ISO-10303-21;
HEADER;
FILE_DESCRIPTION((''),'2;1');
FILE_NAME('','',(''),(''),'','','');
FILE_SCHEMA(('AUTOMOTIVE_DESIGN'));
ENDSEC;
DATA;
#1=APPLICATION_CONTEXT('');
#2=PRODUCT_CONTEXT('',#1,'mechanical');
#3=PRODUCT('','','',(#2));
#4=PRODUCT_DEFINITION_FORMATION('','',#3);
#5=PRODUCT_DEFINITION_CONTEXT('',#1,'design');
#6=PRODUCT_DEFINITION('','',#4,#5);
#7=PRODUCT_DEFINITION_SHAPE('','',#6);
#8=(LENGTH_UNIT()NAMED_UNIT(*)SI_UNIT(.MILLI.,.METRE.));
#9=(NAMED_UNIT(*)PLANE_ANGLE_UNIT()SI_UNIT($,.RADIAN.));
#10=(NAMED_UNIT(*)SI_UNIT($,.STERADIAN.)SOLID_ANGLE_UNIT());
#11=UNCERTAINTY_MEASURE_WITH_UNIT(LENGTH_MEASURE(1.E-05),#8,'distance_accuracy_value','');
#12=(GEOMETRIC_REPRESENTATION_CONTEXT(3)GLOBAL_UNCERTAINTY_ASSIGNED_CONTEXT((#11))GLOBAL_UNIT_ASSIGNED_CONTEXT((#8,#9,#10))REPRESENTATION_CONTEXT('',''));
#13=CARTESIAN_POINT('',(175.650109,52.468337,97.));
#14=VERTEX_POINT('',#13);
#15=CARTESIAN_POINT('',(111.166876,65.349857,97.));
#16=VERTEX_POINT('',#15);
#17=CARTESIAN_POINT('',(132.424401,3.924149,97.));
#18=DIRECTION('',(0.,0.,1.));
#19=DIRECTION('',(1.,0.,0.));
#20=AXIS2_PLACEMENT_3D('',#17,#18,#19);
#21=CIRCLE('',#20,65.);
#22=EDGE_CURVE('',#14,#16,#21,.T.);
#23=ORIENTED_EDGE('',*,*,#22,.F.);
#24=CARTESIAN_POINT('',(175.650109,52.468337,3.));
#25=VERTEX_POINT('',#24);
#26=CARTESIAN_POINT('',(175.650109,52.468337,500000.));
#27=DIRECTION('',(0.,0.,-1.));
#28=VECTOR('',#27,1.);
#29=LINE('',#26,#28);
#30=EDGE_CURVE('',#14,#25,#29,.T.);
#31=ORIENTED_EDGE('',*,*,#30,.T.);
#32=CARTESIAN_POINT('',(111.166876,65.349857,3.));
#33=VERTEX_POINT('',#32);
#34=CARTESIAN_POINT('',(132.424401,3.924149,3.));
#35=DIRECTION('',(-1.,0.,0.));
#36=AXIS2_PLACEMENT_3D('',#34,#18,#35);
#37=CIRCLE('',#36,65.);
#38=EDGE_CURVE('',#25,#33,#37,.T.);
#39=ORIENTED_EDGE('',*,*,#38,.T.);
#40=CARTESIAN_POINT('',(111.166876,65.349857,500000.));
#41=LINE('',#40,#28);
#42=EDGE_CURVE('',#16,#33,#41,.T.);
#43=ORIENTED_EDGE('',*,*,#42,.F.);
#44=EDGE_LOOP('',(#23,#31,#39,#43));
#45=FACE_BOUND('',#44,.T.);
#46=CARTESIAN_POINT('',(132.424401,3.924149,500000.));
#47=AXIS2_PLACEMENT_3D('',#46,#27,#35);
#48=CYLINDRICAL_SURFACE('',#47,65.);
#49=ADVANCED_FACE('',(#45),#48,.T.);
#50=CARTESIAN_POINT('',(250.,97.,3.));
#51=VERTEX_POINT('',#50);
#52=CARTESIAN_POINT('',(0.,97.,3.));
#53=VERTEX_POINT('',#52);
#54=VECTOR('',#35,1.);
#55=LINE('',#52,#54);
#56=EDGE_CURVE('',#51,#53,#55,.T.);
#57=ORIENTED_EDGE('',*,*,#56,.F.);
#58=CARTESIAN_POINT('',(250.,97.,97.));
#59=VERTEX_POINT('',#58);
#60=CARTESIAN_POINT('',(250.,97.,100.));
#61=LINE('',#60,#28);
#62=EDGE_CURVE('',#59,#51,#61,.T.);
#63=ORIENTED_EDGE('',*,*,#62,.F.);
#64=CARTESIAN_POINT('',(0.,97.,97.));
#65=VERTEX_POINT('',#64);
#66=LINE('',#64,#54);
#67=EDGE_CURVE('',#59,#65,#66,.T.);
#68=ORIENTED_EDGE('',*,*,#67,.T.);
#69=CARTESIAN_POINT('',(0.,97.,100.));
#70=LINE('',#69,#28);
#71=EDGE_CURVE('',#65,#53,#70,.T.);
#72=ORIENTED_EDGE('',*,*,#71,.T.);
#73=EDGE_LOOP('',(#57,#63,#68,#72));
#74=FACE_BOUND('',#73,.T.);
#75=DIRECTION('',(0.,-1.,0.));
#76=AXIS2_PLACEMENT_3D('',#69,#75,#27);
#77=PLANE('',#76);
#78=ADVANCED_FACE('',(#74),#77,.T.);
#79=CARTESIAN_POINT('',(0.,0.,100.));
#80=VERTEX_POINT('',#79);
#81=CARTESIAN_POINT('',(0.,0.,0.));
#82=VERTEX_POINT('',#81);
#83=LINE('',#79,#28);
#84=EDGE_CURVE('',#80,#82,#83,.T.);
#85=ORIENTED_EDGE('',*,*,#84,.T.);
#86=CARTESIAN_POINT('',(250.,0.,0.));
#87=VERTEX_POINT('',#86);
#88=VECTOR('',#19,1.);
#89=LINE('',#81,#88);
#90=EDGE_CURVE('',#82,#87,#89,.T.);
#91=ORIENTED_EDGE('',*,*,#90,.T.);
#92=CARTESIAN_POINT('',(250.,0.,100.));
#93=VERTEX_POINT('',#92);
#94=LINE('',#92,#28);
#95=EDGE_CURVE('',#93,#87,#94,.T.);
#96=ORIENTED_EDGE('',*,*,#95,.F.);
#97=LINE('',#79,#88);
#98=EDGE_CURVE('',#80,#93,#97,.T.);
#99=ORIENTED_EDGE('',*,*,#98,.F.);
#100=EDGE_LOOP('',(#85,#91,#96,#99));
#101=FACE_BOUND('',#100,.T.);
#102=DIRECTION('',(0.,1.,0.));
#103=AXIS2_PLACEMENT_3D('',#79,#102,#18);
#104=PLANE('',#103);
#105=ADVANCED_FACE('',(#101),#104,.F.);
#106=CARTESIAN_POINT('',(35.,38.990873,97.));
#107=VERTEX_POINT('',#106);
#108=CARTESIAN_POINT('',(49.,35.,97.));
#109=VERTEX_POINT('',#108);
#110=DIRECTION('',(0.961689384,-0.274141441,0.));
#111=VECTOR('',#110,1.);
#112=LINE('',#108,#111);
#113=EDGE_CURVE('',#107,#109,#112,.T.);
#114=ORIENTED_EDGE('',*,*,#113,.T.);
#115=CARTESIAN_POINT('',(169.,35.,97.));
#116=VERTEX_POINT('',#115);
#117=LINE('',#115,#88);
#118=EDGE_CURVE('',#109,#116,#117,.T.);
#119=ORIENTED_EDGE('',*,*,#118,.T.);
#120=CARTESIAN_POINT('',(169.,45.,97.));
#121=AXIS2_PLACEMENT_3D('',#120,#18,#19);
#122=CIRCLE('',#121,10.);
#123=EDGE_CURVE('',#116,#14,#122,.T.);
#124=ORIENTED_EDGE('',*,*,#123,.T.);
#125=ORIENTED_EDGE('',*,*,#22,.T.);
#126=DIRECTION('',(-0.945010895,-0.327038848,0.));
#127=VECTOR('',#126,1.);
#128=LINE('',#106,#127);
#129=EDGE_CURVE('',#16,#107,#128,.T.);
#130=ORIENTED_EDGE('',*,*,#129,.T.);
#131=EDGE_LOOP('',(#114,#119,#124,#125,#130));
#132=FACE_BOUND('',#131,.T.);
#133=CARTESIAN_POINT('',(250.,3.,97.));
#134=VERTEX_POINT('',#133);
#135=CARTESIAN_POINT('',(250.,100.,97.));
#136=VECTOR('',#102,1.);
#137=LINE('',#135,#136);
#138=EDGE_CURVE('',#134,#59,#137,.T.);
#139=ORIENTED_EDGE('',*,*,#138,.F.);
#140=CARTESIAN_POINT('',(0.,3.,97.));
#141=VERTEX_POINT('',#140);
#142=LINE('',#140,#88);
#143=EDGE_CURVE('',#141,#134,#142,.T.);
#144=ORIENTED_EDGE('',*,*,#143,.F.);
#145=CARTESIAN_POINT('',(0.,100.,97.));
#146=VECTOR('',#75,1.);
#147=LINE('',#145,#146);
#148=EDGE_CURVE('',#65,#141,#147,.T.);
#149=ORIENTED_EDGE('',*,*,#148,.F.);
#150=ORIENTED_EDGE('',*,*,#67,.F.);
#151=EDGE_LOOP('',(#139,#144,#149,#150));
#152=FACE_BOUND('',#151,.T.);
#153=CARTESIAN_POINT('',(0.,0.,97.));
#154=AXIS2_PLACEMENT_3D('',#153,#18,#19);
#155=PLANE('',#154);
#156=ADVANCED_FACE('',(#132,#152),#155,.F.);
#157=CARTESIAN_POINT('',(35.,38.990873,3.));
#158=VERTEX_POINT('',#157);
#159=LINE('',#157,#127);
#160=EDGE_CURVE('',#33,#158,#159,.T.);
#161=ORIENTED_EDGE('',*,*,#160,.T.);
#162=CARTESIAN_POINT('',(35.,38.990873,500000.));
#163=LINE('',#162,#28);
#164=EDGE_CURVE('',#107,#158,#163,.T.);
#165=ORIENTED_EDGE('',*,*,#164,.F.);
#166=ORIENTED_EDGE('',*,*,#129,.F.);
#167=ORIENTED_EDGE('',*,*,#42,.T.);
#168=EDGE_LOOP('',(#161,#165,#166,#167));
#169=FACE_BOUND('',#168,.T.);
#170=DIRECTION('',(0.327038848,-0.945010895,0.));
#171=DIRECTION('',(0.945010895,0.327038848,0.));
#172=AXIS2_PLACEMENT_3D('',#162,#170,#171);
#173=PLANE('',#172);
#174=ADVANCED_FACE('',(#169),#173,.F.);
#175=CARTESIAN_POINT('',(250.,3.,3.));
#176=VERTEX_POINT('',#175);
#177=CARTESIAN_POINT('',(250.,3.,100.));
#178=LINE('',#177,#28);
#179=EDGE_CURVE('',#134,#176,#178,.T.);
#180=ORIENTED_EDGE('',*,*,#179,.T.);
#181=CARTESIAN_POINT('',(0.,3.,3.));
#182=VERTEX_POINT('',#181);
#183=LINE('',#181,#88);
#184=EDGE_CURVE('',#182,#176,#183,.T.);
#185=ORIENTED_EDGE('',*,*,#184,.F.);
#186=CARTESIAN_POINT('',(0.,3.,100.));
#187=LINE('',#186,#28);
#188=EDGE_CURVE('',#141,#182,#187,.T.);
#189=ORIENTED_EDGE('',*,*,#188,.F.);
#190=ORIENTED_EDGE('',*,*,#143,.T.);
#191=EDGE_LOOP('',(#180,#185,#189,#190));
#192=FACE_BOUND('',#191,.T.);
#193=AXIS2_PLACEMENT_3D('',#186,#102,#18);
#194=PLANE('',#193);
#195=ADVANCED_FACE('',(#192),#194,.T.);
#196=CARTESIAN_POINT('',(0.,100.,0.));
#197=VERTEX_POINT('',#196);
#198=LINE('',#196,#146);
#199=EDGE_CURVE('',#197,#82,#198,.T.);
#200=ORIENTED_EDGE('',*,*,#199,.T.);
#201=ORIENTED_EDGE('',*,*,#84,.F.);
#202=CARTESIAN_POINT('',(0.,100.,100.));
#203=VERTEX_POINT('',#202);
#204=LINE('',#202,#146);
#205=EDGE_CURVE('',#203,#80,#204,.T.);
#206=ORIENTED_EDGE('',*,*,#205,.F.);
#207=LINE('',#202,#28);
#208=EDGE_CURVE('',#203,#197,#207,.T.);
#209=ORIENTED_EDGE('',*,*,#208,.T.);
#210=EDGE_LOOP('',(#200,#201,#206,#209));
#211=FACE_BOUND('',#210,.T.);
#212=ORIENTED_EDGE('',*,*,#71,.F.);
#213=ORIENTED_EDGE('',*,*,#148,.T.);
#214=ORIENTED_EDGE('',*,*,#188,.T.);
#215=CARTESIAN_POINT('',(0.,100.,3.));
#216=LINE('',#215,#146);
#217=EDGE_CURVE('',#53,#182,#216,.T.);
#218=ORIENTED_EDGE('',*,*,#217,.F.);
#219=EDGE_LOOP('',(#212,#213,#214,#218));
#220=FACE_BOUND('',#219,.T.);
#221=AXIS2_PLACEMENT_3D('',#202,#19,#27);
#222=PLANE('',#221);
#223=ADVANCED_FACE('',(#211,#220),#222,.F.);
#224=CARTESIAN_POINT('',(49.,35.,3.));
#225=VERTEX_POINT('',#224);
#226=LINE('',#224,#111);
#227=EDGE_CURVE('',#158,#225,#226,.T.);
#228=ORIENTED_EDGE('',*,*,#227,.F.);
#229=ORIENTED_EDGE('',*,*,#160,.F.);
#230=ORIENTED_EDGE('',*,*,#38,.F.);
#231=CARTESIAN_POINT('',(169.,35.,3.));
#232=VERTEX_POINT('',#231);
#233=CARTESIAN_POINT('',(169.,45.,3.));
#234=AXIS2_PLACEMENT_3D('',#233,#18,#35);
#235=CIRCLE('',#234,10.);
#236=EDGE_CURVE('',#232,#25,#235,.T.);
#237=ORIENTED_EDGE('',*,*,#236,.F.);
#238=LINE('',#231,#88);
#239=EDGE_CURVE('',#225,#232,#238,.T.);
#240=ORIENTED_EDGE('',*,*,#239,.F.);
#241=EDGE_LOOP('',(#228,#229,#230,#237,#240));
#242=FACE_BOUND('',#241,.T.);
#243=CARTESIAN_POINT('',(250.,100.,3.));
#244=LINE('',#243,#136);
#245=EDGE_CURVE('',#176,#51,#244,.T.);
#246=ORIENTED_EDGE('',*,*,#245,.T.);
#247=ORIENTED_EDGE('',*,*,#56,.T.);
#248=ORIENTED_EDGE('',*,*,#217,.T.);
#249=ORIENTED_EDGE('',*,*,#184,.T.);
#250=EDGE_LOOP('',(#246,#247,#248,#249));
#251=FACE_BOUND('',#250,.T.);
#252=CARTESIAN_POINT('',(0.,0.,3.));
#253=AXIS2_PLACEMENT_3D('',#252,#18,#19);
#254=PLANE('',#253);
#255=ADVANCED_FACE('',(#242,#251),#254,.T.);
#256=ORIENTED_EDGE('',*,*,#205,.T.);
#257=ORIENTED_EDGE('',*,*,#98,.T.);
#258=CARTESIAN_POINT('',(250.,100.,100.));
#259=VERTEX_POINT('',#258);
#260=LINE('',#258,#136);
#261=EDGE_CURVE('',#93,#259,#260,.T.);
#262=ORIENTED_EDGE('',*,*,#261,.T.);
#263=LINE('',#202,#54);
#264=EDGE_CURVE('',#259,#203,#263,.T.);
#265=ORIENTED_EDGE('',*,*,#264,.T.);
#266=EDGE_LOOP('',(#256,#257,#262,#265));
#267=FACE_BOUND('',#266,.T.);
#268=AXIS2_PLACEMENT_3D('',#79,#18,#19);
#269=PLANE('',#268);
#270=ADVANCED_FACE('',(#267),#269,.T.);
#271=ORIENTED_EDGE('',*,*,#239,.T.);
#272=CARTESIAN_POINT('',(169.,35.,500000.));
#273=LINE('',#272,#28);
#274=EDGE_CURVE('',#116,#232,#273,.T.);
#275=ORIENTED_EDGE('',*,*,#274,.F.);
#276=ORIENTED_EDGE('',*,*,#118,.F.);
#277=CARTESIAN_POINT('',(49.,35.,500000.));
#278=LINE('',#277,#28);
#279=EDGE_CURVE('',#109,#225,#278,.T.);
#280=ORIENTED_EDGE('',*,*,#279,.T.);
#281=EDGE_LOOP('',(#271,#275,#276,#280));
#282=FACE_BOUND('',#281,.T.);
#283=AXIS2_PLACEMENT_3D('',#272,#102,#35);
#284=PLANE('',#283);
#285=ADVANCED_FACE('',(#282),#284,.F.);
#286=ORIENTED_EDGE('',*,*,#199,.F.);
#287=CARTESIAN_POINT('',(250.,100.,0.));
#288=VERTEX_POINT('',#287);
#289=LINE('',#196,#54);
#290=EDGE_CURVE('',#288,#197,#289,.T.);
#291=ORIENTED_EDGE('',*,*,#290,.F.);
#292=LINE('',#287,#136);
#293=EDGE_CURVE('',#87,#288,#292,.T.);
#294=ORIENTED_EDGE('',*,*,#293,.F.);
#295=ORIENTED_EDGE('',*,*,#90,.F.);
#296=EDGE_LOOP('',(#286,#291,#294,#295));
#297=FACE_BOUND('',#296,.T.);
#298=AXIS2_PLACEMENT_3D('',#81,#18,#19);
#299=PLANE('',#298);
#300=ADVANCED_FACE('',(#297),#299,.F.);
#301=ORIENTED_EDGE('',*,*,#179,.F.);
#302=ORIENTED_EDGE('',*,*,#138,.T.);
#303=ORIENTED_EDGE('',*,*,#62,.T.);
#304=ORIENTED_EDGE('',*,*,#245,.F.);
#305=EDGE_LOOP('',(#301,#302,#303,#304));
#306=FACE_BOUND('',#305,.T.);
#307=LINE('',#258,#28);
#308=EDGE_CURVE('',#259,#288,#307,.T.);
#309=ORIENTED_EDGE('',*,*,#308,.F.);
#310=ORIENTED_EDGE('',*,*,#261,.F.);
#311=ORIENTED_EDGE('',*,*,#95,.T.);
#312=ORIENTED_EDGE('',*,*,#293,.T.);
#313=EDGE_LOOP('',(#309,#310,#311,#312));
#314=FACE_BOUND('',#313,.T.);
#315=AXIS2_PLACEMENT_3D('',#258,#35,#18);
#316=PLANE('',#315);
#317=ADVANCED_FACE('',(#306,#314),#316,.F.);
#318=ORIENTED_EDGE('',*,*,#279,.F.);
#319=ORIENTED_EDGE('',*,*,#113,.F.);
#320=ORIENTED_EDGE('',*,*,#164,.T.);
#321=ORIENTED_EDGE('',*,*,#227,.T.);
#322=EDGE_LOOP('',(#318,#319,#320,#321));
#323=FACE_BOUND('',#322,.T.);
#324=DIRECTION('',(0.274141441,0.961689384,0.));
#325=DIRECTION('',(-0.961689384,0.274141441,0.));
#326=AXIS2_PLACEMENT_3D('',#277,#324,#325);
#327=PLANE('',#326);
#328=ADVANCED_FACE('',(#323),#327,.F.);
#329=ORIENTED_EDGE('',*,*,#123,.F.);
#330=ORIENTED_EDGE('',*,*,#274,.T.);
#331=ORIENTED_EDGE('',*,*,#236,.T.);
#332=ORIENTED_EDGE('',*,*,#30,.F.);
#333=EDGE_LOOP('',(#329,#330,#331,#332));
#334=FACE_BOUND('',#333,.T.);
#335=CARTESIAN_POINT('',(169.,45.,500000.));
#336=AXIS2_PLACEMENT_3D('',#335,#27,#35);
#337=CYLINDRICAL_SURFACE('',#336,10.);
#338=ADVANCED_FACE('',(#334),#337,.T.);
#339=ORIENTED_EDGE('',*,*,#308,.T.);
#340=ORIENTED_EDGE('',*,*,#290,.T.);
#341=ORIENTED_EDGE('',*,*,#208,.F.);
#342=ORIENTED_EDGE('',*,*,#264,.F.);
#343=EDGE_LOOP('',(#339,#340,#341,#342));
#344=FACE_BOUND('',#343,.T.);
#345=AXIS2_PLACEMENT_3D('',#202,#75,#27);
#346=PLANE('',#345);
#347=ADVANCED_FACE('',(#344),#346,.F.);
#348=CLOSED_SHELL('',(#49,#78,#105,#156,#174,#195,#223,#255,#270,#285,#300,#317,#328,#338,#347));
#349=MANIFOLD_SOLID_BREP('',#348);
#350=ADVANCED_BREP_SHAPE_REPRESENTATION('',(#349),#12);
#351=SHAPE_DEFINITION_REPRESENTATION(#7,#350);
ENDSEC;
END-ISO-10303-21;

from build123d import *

# Parameters (mm, degrees)
CROQUIS1_W              = 250
CROQUIS1_H              = 100
SALIENTE_EXTRUIR1_DEPTH = 100
VACIADO1_T              = -3
SALIENTE_EXTRUIR2_REACH = 99


with BuildPart() as part:
    # Croquis1 → Saliente-Extruir1 (new body)
    with BuildSketch(Plane.XY):
        with Locations((125, 50)):
            Rectangle(CROQUIS1_W, CROQUIS1_H)
    extrude(amount=SALIENTE_EXTRUIR1_DEPTH)

    # Vaciado1
    vaciado1_openings = [part.faces().sort_by_distance(p)[0] for p in [
        (250, 50, 50),
        (0, 50, 50),
    ]]
    offset(amount=VACIADO1_T, openings=vaciado1_openings, kind=Kind.INTERSECTION)

    # Croquis2 → Saliente-Extruir2 (add, up to next)
    with BuildSketch(Plane.XY.offset(3), mode=Mode.PRIVATE) as saliente_extruir2_sk1:
        with BuildLine():
            Line((35, 38.990872976), (111.166875619, 65.349857161))
            ThreePointArc((111.166875619, 65.349857161), (145.157572396, 67.664766629), (175.650108959, 52.46833655))
            ThreePointArc((175.650108959, 52.46833655), (178.345677223, 41.442147101), (169, 35))
            Line((169, 35), (49, 35))
            Line((49, 35), (35, 38.990872976))
        make_face()
    saliente_extruir2_tool1 = extrude(saliente_extruir2_sk1.sketch, amount=SALIENTE_EXTRUIR2_REACH, mode=Mode.PRIVATE) - part.part
    add(saliente_extruir2_tool1.solids().sort_by_distance((118.929072, 48.395279, 3))[0])


solid = part.part
